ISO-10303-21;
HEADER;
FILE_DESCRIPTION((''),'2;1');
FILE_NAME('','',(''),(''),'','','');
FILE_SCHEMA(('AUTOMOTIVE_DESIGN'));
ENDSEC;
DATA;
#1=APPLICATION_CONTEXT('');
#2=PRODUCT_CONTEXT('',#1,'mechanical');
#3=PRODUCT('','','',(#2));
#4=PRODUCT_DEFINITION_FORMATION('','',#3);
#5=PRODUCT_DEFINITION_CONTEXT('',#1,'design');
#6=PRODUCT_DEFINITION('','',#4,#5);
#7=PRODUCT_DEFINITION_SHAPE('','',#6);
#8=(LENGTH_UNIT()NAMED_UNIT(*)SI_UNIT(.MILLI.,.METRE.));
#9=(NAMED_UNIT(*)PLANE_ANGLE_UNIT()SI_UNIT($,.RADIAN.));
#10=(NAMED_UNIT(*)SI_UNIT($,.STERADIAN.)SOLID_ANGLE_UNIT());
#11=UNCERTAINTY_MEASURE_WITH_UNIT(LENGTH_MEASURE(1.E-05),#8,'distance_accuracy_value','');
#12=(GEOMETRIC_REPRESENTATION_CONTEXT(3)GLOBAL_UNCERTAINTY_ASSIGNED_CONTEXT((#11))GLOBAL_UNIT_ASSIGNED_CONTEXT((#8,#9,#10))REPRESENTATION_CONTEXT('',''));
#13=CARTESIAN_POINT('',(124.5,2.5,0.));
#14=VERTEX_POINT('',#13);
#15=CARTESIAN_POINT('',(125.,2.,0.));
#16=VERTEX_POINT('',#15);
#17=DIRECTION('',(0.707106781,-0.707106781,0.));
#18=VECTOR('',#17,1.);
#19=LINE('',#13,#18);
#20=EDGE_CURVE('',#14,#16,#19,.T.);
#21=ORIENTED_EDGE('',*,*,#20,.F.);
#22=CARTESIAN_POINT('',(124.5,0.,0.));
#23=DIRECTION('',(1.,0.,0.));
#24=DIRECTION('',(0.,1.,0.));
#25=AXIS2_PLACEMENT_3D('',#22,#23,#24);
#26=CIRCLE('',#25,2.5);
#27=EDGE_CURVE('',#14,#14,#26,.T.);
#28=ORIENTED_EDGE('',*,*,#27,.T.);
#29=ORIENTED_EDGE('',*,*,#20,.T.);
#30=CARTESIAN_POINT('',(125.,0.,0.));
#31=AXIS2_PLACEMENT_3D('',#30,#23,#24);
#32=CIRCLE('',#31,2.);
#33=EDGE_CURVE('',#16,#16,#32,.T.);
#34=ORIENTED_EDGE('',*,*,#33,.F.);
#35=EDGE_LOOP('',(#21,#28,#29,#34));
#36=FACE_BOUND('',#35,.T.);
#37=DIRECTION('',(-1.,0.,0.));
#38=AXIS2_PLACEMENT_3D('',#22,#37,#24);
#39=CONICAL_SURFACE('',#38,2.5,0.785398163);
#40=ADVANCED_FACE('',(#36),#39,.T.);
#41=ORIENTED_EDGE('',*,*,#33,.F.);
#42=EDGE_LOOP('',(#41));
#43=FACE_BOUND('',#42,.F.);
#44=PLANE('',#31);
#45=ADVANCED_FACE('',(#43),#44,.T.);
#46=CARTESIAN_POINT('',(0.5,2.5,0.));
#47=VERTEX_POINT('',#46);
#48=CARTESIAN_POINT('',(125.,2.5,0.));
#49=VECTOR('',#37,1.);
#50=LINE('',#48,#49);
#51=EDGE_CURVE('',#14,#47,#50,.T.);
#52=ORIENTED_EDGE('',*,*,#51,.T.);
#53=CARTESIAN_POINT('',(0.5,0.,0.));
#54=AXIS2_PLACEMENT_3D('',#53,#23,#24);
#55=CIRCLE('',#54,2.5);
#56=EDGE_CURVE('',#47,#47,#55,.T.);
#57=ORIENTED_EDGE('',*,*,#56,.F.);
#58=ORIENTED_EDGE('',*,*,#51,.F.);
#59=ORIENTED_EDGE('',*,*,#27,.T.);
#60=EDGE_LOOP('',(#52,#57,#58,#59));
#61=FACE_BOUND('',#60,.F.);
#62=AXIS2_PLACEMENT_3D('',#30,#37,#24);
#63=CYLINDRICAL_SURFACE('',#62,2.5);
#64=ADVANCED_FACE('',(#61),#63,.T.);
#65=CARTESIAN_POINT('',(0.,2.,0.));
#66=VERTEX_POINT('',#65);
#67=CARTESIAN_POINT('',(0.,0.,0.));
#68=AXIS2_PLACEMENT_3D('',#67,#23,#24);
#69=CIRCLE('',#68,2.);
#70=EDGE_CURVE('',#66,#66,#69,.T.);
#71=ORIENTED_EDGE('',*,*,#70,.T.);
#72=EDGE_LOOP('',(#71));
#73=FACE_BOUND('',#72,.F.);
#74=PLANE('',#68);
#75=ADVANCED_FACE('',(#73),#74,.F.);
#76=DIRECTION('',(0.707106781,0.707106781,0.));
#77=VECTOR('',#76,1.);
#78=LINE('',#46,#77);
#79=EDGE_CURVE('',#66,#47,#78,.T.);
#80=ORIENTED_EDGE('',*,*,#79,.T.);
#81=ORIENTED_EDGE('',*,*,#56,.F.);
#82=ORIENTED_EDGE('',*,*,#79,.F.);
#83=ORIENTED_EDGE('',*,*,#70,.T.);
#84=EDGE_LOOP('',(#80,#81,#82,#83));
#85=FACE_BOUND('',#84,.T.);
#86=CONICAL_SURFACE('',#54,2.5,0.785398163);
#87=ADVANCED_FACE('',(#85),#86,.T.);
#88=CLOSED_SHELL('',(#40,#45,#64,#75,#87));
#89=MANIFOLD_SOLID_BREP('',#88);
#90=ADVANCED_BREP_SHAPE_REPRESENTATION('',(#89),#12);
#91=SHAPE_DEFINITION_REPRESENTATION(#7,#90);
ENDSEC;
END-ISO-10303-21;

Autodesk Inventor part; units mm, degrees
ref_plane "YZ Plane" through (0, 0, 0) normal (1, 0, 0) x (0, 1, 0)
ref_plane "XZ Plane" through (0, 0, 0) normal (0, 1, 0) x (-1, 0, 0)
ref_plane "XY Plane" through (0, 0, 0) normal (0, 0, 1) x (1, 0, 0)
sketch "Skizze1" plane through (0, 0, 0) normal (0, 0, 1) x (1, 0, 0)
  line L0 (0, 0) -> (125, 0)
  line L1 (125, 0) -> (125, 2.5)
  line L2 (125, 2.5) -> (0, 2.5)
  line L3 (0, 2.5) -> (0, 0)
  dimension "d0" = 5
  dimension "d1" = 125
revolve "Umdrehung1" add sketch "Skizze1" angle 360 about axis through (0, 0, 0) along (1, 0, 0)
chamfer "Fasen1" distance 0.5 angle 45 2 edges at (0, -2.5, 0) (125, -2.5, 0)
thread "Gewinde1" size "M5x0.8" class "6g" standard "ANSI Metric M Profile" full length
properties part number "ThreadedRod-M4x125" material "Edelstahl"
